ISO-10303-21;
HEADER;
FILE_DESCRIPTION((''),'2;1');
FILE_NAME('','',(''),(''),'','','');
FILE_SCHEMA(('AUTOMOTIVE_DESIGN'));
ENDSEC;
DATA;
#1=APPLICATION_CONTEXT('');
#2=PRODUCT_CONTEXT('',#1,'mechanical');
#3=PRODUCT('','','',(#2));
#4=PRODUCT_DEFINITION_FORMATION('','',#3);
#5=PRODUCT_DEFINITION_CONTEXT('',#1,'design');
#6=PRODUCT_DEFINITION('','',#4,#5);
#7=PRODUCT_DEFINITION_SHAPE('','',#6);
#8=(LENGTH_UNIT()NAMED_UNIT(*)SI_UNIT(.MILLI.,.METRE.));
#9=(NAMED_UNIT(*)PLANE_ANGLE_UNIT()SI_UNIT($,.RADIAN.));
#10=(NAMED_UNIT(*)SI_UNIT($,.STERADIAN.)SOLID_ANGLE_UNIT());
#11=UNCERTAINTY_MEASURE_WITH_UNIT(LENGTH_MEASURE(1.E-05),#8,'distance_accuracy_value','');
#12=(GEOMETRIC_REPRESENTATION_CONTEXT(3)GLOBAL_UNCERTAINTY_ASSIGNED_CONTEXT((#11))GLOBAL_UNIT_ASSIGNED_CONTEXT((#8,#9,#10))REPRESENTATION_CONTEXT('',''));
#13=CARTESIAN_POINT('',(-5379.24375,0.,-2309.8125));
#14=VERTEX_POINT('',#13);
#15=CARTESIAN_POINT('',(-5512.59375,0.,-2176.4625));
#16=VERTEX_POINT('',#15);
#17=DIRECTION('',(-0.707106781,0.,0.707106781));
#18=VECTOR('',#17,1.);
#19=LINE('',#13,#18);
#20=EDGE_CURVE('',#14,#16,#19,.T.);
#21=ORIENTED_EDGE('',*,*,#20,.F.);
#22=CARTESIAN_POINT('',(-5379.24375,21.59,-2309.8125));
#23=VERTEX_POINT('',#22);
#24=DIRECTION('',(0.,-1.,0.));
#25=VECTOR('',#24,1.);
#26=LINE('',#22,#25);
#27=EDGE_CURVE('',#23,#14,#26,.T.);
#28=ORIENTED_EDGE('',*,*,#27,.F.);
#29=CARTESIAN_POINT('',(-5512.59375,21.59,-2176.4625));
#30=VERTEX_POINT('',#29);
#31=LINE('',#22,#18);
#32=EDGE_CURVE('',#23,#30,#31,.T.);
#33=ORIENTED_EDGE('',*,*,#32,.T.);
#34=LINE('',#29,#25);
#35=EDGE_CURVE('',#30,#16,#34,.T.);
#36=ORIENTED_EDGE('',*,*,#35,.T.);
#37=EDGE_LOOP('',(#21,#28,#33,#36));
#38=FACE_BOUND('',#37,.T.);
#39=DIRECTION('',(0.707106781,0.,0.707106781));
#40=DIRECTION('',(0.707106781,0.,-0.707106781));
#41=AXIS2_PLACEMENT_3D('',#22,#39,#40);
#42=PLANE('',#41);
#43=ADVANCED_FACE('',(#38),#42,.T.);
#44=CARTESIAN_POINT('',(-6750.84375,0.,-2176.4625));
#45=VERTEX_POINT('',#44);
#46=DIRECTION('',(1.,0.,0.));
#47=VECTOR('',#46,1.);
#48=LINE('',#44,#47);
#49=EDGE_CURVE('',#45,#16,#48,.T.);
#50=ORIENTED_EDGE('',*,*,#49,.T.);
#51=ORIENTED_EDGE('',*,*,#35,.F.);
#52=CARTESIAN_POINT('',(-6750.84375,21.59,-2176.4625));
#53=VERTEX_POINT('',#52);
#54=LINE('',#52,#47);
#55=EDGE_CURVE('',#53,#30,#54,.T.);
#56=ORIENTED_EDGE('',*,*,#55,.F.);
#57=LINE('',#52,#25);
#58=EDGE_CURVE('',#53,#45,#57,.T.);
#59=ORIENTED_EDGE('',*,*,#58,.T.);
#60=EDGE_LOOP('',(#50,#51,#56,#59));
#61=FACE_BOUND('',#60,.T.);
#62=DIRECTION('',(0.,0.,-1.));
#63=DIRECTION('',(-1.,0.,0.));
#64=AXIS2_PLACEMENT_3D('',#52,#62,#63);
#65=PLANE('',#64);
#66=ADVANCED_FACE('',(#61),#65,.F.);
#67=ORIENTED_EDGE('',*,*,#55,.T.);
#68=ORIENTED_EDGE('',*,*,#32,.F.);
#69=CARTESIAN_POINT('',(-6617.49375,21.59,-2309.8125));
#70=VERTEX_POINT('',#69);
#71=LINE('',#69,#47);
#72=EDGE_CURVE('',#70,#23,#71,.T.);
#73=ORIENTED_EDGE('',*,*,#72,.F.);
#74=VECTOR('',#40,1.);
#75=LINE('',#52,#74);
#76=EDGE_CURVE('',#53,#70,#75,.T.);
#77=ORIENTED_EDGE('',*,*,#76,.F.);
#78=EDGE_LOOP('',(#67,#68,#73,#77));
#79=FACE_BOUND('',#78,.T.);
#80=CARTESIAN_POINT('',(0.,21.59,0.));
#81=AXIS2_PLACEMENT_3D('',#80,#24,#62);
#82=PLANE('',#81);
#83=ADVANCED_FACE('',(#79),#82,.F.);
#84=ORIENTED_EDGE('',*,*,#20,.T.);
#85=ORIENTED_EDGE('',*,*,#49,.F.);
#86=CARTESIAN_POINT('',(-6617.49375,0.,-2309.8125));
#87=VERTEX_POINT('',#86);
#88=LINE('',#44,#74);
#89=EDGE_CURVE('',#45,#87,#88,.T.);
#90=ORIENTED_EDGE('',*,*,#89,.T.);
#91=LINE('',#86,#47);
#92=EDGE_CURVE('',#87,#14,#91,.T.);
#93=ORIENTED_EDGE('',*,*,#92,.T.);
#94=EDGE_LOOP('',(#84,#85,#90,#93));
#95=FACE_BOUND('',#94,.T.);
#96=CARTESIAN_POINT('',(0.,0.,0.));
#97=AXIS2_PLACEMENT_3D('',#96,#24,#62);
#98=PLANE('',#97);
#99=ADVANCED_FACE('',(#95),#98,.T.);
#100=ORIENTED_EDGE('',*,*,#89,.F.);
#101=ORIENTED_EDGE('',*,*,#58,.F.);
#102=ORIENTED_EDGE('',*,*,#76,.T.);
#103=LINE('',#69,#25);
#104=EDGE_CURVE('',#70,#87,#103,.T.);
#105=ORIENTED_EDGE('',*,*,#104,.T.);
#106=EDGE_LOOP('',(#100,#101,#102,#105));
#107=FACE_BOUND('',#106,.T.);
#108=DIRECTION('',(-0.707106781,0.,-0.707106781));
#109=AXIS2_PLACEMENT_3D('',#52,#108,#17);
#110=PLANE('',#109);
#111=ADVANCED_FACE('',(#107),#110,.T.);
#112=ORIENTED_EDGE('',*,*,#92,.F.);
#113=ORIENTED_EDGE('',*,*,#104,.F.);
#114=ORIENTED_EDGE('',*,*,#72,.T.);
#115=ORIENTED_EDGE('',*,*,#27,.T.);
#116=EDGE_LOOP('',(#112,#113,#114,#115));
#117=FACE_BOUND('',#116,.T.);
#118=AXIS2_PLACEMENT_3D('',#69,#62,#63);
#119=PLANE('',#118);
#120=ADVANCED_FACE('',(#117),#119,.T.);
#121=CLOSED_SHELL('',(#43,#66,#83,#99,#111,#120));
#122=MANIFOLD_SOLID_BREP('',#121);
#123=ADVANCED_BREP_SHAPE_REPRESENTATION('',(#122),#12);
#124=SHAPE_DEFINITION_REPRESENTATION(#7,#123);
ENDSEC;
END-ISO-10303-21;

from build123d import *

# Parameters (mm, degrees)
BOSS_EXTRUDE1_DEPTH = 21.59


with BuildPart() as part:
    # Sketch2 → Boss-Extrude1 (new body)
    with BuildSketch(Plane(origin=(0, 0, 0), x_dir=(1, 0, 0), z_dir=(0, 1, 0))):
        Polygon((-6617.49375, 2309.8125), (-5379.24375, 2309.8125), (-5512.59375, 2176.4625), (-6750.84375, 2176.4625), align=None)
    extrude(amount=BOSS_EXTRUDE1_DEPTH)


solid = part.part
